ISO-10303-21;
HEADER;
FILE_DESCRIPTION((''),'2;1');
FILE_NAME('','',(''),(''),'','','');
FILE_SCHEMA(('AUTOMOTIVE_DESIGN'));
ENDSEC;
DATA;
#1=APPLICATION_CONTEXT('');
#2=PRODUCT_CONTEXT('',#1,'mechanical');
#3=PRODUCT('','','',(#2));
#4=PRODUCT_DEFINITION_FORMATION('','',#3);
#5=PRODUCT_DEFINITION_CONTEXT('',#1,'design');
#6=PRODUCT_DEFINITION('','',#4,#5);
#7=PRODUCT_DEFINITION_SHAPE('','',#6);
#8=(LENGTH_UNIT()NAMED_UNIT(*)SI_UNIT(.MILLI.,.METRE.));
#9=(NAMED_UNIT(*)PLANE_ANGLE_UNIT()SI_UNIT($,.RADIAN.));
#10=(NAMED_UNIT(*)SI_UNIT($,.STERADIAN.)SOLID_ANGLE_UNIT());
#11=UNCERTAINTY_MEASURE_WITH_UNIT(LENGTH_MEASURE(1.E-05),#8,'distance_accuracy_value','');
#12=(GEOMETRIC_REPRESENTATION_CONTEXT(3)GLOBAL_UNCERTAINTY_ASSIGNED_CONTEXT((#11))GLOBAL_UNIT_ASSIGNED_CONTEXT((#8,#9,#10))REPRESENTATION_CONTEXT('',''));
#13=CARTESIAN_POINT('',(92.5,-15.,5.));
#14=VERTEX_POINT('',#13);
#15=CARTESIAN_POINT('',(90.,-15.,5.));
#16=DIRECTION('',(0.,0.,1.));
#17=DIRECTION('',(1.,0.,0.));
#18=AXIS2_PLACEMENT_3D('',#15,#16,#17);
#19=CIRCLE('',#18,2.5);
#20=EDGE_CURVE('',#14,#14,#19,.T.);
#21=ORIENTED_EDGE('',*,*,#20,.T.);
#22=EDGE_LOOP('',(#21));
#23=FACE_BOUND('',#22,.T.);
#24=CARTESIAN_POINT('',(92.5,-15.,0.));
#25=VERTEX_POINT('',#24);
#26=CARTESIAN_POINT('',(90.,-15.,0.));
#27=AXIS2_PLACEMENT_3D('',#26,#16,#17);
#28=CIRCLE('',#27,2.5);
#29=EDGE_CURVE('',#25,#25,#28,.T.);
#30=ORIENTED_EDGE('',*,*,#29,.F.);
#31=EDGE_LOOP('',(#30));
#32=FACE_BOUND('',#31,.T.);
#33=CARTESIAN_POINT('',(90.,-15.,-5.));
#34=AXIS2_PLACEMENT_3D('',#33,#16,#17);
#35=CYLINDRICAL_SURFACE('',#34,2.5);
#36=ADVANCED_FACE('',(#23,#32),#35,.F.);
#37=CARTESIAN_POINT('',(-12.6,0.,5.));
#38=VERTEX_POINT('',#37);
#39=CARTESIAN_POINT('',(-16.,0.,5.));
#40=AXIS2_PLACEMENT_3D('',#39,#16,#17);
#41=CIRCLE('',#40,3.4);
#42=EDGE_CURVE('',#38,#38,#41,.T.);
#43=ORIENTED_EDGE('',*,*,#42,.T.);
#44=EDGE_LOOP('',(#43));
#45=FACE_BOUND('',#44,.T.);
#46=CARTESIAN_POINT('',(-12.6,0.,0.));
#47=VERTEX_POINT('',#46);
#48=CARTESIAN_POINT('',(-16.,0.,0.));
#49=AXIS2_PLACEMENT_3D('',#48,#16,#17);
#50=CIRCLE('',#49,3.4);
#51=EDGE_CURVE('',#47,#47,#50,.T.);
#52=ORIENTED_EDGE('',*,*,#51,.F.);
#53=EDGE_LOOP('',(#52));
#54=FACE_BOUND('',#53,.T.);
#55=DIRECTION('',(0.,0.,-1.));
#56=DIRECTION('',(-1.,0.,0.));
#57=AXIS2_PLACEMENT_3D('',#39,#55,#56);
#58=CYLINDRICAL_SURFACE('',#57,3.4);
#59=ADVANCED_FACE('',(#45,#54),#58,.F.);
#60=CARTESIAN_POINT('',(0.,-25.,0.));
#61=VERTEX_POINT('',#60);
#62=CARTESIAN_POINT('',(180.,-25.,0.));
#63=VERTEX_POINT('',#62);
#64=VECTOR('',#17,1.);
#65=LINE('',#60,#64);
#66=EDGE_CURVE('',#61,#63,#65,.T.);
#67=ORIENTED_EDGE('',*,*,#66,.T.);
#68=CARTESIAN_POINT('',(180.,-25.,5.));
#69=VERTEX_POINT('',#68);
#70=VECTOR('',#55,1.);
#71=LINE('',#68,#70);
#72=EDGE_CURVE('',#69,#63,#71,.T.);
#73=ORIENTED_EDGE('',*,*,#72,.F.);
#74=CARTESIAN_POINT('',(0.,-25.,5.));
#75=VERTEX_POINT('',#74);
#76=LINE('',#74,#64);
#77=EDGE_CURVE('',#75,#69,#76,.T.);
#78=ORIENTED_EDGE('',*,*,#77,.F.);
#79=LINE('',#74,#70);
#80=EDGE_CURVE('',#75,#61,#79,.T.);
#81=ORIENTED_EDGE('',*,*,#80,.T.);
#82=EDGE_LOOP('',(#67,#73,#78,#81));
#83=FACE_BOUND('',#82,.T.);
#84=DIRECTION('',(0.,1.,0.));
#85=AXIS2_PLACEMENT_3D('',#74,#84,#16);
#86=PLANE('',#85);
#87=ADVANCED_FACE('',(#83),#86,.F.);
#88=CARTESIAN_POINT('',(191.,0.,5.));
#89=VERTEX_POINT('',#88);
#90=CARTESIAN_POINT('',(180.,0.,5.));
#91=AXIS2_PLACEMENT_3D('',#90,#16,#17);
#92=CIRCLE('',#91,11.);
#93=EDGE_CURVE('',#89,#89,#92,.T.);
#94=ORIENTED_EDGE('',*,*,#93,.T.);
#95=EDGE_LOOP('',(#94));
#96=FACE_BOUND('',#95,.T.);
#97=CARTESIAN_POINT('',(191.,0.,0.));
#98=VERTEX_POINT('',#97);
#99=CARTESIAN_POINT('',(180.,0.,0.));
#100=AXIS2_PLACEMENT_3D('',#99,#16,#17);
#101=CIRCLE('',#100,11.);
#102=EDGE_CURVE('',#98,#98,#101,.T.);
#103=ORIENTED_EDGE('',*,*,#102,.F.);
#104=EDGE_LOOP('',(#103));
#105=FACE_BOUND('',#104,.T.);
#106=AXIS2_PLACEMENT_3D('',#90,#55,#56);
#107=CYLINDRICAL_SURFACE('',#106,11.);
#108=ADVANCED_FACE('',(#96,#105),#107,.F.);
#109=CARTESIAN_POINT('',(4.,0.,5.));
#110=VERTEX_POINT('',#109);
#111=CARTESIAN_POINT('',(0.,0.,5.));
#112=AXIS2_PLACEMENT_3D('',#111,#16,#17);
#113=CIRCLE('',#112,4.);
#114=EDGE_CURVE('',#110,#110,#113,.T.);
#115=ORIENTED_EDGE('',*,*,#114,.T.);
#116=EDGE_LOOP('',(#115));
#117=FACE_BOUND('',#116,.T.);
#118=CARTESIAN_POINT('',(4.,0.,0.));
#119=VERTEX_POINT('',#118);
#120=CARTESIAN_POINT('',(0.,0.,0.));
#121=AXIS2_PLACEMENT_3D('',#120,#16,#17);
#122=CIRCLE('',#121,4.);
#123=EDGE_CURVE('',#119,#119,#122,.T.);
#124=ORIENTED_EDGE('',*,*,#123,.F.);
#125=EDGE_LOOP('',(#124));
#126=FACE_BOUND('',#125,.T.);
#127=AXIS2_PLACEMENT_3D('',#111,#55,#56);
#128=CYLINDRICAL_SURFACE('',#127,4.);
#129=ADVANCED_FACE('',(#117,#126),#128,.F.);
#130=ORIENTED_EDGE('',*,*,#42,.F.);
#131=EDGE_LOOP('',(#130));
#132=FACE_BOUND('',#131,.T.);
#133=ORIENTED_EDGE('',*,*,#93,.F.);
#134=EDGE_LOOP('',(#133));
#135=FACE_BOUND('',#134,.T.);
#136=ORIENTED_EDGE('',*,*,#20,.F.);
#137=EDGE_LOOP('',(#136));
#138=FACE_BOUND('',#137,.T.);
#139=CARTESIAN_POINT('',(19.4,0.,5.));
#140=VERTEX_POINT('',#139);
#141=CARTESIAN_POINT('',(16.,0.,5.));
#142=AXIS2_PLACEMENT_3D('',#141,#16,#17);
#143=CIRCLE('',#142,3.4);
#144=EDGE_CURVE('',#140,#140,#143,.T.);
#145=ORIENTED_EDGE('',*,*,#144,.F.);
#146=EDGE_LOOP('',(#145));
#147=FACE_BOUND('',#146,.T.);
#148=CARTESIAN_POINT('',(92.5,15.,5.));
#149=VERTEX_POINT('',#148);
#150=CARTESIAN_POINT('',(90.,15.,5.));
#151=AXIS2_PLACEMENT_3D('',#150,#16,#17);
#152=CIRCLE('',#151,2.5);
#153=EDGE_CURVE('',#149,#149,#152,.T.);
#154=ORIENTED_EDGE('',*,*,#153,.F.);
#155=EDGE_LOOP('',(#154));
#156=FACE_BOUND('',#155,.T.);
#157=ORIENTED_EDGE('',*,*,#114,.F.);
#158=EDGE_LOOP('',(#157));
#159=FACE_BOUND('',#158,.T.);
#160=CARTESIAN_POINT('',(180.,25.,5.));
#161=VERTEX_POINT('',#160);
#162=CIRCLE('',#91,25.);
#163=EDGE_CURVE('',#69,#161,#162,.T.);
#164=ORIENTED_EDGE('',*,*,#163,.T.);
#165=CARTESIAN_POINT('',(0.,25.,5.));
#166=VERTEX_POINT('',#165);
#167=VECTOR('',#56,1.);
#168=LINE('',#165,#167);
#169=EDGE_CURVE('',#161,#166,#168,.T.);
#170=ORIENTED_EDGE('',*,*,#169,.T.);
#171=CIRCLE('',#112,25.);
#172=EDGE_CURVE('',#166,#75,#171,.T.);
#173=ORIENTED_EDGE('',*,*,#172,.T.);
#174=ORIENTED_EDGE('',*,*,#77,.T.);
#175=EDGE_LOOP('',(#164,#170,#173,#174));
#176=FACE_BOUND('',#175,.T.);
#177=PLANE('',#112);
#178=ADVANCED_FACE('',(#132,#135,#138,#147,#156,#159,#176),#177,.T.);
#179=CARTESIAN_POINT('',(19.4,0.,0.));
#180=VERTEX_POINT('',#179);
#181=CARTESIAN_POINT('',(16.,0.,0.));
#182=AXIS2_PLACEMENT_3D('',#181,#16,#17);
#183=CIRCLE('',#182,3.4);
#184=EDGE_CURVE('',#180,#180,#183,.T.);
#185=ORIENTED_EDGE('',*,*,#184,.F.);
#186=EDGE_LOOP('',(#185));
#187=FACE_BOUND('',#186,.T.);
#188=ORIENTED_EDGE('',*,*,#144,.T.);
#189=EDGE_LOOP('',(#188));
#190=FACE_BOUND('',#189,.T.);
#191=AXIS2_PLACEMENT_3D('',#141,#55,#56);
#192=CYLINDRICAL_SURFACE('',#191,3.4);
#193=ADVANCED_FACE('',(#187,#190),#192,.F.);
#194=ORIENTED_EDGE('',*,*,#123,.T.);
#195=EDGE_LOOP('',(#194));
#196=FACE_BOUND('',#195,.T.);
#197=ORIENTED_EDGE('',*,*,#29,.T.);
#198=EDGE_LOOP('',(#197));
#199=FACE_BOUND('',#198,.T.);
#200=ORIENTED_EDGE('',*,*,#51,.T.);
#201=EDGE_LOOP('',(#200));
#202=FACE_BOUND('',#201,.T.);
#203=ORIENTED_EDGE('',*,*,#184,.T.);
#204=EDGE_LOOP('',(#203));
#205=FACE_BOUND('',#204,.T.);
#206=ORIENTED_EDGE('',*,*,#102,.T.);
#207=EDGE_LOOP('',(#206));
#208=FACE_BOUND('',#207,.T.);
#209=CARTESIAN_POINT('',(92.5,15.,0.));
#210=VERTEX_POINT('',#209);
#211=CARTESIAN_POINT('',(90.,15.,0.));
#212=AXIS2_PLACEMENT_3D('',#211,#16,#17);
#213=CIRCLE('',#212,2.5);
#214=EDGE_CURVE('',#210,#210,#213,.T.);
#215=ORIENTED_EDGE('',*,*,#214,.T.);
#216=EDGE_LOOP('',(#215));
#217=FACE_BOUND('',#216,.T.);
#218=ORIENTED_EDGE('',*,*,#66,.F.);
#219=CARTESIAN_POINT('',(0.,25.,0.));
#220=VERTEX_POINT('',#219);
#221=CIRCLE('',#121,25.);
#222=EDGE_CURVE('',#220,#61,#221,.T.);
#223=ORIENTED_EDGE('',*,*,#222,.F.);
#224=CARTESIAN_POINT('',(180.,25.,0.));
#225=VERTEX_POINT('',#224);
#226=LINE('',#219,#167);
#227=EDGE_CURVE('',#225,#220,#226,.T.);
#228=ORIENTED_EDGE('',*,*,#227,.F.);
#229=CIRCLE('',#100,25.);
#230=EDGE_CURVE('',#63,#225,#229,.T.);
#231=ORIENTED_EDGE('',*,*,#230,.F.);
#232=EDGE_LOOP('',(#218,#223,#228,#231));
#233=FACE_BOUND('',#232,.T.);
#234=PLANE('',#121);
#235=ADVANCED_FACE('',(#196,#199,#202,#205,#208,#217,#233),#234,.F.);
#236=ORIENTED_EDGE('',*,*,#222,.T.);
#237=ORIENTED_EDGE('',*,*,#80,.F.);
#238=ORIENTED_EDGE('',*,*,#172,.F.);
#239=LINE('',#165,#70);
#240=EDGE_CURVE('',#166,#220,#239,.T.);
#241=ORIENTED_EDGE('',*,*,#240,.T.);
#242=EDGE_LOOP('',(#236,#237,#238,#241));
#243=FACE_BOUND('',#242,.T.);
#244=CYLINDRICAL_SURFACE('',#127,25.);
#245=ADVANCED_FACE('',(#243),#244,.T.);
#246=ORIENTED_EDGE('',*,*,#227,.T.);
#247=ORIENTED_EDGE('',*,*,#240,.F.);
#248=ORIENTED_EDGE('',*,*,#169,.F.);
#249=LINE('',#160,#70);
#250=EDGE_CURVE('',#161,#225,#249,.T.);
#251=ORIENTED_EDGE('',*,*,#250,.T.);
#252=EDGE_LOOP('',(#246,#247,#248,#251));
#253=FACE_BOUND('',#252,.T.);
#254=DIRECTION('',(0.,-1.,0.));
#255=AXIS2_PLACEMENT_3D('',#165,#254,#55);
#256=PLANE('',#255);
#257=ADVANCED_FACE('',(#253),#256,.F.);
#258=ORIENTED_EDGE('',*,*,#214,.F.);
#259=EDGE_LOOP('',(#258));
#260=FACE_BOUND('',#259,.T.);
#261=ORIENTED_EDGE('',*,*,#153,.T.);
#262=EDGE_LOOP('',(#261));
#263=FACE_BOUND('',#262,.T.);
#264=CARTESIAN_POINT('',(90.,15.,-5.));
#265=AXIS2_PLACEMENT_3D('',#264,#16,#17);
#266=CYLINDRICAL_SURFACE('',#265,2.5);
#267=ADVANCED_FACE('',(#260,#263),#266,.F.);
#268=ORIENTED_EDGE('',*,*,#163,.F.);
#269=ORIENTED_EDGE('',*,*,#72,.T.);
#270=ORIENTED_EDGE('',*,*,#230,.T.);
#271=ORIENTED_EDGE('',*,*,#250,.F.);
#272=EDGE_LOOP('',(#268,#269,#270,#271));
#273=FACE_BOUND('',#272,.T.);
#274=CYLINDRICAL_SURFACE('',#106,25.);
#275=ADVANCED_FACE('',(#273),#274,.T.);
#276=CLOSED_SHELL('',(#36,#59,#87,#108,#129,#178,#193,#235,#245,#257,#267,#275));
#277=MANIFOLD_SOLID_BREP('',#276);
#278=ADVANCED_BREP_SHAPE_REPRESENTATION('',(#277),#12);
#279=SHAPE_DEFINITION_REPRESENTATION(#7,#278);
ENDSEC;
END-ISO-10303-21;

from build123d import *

# Parameters (mm, degrees)
SKETCH1_R           = 4
SKETCH1_R_2         = 3.4
SKETCH1_R_3         = 11
BOSS_EXTRUDE3_DEPTH = 5
SKETCH2_R           = 2.5
CUT_EXTRUDE1_DEPTH  = 10


with BuildPart() as part:
    # Sketch1 → Boss-Extrude3 (new body)
    with BuildSketch(Plane.XY):
        with BuildLine():
            Line((0, 25), (180, 25))
            ThreePointArc((180, 25), (205, 0), (180, -25))
            Line((180, -25), (0, -25))
            ThreePointArc((0, -25), (-25, 0), (0, 25))
        make_face()
        Circle(SKETCH1_R, mode=Mode.SUBTRACT)
        with Locations((-16, 0)):
            Circle(SKETCH1_R_2, mode=Mode.SUBTRACT)
        with Locations((16, 0)):
            Circle(SKETCH1_R_2, mode=Mode.SUBTRACT)
        with Locations((180, 0)):
            Circle(SKETCH1_R_3, mode=Mode.SUBTRACT)
    extrude(amount=BOSS_EXTRUDE3_DEPTH)

    # Sketch2 → Cut-Extrude1 (cut)
    with BuildSketch(Plane.XY.offset(5)):
        with Locations((90, 15)):
            Circle(SKETCH2_R)
        with Locations((90, -15)):
            Circle(SKETCH2_R)
    extrude(amount=-CUT_EXTRUDE1_DEPTH, mode=Mode.SUBTRACT)


solid = part.part
